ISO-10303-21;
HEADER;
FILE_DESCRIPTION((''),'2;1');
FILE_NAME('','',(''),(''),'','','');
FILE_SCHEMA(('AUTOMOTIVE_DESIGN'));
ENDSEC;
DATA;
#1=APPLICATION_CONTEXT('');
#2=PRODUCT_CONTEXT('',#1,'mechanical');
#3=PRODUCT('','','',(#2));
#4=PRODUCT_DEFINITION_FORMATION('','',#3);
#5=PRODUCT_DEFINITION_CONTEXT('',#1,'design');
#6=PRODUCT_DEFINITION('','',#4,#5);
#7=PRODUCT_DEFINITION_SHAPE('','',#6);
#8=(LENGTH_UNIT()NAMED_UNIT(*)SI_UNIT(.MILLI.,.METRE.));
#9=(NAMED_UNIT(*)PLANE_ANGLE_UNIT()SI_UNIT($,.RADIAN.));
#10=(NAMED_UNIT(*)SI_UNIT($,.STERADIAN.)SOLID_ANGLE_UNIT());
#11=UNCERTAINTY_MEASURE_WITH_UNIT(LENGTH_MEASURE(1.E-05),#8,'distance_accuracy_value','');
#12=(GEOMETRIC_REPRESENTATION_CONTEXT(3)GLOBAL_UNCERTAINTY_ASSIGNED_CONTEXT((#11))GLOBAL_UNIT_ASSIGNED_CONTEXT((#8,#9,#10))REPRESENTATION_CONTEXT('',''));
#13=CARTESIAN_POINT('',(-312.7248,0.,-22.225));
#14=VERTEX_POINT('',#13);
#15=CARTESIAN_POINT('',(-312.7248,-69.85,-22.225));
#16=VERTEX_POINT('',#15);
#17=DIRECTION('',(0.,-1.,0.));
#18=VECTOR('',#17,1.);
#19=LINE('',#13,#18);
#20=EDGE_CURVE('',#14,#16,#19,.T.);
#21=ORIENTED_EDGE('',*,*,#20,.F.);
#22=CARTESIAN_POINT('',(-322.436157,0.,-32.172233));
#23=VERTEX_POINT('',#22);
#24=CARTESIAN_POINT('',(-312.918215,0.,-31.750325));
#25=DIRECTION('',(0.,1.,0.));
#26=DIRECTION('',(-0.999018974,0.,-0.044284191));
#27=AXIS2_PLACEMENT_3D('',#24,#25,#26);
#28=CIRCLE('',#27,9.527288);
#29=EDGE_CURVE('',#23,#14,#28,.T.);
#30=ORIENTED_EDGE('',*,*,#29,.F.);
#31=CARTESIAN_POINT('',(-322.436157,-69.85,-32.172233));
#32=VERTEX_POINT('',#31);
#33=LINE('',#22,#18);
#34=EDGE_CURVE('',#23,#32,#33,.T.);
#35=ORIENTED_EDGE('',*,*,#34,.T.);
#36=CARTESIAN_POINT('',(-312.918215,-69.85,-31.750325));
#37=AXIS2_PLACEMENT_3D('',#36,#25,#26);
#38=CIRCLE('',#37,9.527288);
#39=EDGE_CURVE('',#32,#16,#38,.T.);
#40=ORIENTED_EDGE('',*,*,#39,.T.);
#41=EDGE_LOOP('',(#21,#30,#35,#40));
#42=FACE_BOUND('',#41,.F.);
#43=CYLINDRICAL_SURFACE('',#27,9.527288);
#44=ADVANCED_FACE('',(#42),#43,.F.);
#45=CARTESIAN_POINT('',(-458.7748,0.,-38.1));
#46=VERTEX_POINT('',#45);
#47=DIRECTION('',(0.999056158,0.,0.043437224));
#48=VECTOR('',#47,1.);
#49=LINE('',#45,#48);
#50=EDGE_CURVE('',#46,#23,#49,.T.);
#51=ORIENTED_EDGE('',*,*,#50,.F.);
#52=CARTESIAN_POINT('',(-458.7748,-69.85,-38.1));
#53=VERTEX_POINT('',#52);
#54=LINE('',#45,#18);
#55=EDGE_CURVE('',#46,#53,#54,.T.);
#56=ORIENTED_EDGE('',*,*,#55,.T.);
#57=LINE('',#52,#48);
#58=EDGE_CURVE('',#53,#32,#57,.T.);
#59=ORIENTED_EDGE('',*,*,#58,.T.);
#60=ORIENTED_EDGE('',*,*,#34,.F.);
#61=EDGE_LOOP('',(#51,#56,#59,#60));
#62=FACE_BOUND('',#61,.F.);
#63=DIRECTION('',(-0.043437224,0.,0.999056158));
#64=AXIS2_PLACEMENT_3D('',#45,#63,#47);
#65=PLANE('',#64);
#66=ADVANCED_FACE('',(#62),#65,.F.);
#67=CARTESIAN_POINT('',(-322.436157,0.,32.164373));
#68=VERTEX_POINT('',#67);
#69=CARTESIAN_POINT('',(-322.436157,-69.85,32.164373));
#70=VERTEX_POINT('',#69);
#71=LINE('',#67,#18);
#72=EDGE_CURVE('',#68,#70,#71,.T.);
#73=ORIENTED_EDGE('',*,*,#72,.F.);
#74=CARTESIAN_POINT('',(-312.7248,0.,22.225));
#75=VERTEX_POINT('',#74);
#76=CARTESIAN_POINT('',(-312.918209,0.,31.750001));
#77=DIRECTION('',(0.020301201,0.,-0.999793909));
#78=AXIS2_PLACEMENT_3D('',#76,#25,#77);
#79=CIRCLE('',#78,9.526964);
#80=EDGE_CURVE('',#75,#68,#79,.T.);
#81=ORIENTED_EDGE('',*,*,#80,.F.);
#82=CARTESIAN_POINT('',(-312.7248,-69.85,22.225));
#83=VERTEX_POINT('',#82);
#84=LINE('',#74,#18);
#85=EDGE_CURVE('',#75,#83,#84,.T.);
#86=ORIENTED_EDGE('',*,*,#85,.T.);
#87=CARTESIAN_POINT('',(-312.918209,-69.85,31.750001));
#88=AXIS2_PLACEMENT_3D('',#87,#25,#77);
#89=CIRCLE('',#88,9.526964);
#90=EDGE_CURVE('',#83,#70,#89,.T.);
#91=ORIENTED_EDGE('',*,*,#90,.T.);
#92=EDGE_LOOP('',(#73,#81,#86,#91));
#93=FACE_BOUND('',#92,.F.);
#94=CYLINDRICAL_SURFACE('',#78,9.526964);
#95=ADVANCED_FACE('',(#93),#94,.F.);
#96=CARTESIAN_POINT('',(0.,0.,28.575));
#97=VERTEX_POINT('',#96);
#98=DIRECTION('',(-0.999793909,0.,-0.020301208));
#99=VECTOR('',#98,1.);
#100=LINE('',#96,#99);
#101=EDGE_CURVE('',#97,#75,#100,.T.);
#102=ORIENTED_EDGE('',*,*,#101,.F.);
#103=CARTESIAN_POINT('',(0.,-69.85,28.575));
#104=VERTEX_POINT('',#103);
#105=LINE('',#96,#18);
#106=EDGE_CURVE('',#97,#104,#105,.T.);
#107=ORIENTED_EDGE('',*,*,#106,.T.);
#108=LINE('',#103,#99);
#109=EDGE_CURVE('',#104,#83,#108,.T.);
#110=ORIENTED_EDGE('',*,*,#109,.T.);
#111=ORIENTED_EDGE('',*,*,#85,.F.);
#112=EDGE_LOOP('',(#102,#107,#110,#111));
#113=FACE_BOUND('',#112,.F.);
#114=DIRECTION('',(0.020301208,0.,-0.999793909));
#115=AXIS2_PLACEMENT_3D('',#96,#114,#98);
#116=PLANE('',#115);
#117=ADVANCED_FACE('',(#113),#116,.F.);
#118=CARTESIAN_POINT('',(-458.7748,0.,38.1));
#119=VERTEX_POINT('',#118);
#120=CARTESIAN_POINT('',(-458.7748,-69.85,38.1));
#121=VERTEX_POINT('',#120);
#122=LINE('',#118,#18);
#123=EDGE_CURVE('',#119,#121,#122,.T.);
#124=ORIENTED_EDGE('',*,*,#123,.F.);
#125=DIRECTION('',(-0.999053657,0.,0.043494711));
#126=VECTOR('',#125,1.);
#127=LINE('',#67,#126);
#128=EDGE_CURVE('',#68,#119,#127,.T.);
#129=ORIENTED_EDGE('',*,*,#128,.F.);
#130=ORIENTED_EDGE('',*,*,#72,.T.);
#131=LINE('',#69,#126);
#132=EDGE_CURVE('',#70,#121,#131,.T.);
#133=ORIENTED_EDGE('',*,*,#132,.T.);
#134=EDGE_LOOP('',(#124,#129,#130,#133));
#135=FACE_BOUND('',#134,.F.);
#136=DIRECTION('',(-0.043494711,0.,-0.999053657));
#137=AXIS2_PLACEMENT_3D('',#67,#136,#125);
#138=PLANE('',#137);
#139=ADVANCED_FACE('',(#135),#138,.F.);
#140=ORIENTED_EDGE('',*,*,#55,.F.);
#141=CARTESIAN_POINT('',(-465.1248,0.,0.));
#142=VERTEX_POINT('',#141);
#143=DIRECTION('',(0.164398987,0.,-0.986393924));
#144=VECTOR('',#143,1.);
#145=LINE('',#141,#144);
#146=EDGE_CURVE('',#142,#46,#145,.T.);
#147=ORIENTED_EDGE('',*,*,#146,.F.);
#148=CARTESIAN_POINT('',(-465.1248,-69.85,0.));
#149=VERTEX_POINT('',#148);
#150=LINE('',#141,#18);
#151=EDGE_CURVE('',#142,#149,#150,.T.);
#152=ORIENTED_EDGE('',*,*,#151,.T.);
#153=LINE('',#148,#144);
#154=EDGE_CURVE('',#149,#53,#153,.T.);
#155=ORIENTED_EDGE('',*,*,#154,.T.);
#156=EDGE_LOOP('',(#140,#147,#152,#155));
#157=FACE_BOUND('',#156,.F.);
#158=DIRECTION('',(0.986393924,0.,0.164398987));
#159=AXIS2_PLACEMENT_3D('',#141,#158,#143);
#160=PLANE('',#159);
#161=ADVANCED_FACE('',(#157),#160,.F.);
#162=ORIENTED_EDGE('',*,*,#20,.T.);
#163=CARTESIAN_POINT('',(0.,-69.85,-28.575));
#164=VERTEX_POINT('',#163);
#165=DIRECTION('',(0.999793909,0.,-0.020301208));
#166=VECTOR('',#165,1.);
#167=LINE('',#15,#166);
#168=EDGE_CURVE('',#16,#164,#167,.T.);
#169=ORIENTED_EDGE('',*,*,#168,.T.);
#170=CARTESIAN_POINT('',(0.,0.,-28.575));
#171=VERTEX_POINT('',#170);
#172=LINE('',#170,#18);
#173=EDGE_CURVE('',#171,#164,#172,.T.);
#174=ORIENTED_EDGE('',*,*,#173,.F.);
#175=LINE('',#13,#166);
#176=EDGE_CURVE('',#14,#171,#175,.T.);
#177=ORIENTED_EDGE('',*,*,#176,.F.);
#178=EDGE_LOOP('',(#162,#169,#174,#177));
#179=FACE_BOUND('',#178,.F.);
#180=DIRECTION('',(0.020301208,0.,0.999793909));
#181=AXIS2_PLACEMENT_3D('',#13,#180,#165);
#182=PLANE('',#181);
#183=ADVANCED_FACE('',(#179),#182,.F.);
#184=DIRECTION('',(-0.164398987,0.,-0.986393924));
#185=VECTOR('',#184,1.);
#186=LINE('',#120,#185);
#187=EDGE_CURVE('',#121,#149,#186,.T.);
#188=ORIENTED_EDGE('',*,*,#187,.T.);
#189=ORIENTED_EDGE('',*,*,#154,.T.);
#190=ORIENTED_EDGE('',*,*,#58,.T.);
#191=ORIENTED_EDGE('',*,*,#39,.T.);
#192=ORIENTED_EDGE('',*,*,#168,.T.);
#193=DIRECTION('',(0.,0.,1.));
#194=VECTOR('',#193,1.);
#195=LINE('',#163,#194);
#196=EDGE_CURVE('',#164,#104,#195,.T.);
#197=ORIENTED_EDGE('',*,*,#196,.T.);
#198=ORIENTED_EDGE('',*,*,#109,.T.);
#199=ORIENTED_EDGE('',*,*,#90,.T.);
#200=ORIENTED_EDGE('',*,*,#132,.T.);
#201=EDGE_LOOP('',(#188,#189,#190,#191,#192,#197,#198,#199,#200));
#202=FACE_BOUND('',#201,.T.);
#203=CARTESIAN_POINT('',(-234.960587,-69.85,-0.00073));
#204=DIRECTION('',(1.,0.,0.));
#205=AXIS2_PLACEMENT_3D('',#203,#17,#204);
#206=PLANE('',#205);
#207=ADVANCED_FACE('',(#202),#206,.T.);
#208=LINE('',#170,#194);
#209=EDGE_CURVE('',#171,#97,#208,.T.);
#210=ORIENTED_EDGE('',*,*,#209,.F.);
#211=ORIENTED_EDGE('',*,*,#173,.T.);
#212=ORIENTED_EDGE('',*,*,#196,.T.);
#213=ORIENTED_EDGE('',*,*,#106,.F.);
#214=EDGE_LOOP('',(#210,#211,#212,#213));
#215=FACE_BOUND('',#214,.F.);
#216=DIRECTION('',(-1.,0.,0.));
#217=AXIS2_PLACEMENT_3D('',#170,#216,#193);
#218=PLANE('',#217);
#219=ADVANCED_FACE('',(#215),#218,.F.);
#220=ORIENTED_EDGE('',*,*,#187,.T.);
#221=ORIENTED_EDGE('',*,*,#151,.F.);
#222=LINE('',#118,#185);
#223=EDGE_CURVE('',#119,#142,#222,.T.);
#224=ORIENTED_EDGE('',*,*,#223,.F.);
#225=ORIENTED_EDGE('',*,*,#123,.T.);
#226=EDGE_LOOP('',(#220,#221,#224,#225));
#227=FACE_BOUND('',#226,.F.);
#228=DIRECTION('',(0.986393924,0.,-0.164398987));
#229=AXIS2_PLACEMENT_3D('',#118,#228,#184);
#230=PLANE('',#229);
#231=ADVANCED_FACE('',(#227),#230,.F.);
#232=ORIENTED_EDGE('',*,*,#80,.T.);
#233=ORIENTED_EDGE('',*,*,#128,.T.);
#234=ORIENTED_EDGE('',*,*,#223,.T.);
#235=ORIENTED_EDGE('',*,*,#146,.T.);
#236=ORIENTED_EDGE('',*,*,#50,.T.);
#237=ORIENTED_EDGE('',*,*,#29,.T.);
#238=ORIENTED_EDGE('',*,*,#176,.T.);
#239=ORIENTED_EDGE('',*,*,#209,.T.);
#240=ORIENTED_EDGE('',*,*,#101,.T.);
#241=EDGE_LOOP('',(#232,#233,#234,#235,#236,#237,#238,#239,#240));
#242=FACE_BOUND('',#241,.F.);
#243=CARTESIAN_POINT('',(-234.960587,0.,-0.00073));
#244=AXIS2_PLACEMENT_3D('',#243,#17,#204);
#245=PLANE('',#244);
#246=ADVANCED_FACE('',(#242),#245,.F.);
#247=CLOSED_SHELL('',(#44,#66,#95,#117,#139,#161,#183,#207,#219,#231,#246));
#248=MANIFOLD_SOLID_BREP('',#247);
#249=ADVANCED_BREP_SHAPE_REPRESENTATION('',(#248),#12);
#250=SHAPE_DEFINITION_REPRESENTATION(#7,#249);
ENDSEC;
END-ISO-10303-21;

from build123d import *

# Parameters (mm, degrees)
F1_DEPTH = 69.85


with BuildPart() as f1:
    # F0 (on Front) → F1 (new body)
    with BuildSketch(Plane.XZ):
        with BuildLine():
            Line((-312.7248, -22.225), (0, -28.575))
            Line((0, -28.575), (0, 28.575))
            Line((0, 28.575), (-312.7248, 22.225))
            ThreePointArc((-312.7248, 22.225), (-319.732498, 25.092035), (-322.436157, 32.164373))
            Line((-322.436157, 32.164373), (-458.7748, 38.1))
            Line((-458.7748, 38.1), (-465.1248, 0))
            Line((-465.1248, 0), (-458.7748, -38.1))
            Line((-458.7748, -38.1), (-322.436157, -32.172233))
            ThreePointArc((-322.436157, -32.172233), (-319.735367, -25.094826), (-312.7248, -22.225))
        make_face()
    extrude(amount=F1_DEPTH)


solid = f1.part
